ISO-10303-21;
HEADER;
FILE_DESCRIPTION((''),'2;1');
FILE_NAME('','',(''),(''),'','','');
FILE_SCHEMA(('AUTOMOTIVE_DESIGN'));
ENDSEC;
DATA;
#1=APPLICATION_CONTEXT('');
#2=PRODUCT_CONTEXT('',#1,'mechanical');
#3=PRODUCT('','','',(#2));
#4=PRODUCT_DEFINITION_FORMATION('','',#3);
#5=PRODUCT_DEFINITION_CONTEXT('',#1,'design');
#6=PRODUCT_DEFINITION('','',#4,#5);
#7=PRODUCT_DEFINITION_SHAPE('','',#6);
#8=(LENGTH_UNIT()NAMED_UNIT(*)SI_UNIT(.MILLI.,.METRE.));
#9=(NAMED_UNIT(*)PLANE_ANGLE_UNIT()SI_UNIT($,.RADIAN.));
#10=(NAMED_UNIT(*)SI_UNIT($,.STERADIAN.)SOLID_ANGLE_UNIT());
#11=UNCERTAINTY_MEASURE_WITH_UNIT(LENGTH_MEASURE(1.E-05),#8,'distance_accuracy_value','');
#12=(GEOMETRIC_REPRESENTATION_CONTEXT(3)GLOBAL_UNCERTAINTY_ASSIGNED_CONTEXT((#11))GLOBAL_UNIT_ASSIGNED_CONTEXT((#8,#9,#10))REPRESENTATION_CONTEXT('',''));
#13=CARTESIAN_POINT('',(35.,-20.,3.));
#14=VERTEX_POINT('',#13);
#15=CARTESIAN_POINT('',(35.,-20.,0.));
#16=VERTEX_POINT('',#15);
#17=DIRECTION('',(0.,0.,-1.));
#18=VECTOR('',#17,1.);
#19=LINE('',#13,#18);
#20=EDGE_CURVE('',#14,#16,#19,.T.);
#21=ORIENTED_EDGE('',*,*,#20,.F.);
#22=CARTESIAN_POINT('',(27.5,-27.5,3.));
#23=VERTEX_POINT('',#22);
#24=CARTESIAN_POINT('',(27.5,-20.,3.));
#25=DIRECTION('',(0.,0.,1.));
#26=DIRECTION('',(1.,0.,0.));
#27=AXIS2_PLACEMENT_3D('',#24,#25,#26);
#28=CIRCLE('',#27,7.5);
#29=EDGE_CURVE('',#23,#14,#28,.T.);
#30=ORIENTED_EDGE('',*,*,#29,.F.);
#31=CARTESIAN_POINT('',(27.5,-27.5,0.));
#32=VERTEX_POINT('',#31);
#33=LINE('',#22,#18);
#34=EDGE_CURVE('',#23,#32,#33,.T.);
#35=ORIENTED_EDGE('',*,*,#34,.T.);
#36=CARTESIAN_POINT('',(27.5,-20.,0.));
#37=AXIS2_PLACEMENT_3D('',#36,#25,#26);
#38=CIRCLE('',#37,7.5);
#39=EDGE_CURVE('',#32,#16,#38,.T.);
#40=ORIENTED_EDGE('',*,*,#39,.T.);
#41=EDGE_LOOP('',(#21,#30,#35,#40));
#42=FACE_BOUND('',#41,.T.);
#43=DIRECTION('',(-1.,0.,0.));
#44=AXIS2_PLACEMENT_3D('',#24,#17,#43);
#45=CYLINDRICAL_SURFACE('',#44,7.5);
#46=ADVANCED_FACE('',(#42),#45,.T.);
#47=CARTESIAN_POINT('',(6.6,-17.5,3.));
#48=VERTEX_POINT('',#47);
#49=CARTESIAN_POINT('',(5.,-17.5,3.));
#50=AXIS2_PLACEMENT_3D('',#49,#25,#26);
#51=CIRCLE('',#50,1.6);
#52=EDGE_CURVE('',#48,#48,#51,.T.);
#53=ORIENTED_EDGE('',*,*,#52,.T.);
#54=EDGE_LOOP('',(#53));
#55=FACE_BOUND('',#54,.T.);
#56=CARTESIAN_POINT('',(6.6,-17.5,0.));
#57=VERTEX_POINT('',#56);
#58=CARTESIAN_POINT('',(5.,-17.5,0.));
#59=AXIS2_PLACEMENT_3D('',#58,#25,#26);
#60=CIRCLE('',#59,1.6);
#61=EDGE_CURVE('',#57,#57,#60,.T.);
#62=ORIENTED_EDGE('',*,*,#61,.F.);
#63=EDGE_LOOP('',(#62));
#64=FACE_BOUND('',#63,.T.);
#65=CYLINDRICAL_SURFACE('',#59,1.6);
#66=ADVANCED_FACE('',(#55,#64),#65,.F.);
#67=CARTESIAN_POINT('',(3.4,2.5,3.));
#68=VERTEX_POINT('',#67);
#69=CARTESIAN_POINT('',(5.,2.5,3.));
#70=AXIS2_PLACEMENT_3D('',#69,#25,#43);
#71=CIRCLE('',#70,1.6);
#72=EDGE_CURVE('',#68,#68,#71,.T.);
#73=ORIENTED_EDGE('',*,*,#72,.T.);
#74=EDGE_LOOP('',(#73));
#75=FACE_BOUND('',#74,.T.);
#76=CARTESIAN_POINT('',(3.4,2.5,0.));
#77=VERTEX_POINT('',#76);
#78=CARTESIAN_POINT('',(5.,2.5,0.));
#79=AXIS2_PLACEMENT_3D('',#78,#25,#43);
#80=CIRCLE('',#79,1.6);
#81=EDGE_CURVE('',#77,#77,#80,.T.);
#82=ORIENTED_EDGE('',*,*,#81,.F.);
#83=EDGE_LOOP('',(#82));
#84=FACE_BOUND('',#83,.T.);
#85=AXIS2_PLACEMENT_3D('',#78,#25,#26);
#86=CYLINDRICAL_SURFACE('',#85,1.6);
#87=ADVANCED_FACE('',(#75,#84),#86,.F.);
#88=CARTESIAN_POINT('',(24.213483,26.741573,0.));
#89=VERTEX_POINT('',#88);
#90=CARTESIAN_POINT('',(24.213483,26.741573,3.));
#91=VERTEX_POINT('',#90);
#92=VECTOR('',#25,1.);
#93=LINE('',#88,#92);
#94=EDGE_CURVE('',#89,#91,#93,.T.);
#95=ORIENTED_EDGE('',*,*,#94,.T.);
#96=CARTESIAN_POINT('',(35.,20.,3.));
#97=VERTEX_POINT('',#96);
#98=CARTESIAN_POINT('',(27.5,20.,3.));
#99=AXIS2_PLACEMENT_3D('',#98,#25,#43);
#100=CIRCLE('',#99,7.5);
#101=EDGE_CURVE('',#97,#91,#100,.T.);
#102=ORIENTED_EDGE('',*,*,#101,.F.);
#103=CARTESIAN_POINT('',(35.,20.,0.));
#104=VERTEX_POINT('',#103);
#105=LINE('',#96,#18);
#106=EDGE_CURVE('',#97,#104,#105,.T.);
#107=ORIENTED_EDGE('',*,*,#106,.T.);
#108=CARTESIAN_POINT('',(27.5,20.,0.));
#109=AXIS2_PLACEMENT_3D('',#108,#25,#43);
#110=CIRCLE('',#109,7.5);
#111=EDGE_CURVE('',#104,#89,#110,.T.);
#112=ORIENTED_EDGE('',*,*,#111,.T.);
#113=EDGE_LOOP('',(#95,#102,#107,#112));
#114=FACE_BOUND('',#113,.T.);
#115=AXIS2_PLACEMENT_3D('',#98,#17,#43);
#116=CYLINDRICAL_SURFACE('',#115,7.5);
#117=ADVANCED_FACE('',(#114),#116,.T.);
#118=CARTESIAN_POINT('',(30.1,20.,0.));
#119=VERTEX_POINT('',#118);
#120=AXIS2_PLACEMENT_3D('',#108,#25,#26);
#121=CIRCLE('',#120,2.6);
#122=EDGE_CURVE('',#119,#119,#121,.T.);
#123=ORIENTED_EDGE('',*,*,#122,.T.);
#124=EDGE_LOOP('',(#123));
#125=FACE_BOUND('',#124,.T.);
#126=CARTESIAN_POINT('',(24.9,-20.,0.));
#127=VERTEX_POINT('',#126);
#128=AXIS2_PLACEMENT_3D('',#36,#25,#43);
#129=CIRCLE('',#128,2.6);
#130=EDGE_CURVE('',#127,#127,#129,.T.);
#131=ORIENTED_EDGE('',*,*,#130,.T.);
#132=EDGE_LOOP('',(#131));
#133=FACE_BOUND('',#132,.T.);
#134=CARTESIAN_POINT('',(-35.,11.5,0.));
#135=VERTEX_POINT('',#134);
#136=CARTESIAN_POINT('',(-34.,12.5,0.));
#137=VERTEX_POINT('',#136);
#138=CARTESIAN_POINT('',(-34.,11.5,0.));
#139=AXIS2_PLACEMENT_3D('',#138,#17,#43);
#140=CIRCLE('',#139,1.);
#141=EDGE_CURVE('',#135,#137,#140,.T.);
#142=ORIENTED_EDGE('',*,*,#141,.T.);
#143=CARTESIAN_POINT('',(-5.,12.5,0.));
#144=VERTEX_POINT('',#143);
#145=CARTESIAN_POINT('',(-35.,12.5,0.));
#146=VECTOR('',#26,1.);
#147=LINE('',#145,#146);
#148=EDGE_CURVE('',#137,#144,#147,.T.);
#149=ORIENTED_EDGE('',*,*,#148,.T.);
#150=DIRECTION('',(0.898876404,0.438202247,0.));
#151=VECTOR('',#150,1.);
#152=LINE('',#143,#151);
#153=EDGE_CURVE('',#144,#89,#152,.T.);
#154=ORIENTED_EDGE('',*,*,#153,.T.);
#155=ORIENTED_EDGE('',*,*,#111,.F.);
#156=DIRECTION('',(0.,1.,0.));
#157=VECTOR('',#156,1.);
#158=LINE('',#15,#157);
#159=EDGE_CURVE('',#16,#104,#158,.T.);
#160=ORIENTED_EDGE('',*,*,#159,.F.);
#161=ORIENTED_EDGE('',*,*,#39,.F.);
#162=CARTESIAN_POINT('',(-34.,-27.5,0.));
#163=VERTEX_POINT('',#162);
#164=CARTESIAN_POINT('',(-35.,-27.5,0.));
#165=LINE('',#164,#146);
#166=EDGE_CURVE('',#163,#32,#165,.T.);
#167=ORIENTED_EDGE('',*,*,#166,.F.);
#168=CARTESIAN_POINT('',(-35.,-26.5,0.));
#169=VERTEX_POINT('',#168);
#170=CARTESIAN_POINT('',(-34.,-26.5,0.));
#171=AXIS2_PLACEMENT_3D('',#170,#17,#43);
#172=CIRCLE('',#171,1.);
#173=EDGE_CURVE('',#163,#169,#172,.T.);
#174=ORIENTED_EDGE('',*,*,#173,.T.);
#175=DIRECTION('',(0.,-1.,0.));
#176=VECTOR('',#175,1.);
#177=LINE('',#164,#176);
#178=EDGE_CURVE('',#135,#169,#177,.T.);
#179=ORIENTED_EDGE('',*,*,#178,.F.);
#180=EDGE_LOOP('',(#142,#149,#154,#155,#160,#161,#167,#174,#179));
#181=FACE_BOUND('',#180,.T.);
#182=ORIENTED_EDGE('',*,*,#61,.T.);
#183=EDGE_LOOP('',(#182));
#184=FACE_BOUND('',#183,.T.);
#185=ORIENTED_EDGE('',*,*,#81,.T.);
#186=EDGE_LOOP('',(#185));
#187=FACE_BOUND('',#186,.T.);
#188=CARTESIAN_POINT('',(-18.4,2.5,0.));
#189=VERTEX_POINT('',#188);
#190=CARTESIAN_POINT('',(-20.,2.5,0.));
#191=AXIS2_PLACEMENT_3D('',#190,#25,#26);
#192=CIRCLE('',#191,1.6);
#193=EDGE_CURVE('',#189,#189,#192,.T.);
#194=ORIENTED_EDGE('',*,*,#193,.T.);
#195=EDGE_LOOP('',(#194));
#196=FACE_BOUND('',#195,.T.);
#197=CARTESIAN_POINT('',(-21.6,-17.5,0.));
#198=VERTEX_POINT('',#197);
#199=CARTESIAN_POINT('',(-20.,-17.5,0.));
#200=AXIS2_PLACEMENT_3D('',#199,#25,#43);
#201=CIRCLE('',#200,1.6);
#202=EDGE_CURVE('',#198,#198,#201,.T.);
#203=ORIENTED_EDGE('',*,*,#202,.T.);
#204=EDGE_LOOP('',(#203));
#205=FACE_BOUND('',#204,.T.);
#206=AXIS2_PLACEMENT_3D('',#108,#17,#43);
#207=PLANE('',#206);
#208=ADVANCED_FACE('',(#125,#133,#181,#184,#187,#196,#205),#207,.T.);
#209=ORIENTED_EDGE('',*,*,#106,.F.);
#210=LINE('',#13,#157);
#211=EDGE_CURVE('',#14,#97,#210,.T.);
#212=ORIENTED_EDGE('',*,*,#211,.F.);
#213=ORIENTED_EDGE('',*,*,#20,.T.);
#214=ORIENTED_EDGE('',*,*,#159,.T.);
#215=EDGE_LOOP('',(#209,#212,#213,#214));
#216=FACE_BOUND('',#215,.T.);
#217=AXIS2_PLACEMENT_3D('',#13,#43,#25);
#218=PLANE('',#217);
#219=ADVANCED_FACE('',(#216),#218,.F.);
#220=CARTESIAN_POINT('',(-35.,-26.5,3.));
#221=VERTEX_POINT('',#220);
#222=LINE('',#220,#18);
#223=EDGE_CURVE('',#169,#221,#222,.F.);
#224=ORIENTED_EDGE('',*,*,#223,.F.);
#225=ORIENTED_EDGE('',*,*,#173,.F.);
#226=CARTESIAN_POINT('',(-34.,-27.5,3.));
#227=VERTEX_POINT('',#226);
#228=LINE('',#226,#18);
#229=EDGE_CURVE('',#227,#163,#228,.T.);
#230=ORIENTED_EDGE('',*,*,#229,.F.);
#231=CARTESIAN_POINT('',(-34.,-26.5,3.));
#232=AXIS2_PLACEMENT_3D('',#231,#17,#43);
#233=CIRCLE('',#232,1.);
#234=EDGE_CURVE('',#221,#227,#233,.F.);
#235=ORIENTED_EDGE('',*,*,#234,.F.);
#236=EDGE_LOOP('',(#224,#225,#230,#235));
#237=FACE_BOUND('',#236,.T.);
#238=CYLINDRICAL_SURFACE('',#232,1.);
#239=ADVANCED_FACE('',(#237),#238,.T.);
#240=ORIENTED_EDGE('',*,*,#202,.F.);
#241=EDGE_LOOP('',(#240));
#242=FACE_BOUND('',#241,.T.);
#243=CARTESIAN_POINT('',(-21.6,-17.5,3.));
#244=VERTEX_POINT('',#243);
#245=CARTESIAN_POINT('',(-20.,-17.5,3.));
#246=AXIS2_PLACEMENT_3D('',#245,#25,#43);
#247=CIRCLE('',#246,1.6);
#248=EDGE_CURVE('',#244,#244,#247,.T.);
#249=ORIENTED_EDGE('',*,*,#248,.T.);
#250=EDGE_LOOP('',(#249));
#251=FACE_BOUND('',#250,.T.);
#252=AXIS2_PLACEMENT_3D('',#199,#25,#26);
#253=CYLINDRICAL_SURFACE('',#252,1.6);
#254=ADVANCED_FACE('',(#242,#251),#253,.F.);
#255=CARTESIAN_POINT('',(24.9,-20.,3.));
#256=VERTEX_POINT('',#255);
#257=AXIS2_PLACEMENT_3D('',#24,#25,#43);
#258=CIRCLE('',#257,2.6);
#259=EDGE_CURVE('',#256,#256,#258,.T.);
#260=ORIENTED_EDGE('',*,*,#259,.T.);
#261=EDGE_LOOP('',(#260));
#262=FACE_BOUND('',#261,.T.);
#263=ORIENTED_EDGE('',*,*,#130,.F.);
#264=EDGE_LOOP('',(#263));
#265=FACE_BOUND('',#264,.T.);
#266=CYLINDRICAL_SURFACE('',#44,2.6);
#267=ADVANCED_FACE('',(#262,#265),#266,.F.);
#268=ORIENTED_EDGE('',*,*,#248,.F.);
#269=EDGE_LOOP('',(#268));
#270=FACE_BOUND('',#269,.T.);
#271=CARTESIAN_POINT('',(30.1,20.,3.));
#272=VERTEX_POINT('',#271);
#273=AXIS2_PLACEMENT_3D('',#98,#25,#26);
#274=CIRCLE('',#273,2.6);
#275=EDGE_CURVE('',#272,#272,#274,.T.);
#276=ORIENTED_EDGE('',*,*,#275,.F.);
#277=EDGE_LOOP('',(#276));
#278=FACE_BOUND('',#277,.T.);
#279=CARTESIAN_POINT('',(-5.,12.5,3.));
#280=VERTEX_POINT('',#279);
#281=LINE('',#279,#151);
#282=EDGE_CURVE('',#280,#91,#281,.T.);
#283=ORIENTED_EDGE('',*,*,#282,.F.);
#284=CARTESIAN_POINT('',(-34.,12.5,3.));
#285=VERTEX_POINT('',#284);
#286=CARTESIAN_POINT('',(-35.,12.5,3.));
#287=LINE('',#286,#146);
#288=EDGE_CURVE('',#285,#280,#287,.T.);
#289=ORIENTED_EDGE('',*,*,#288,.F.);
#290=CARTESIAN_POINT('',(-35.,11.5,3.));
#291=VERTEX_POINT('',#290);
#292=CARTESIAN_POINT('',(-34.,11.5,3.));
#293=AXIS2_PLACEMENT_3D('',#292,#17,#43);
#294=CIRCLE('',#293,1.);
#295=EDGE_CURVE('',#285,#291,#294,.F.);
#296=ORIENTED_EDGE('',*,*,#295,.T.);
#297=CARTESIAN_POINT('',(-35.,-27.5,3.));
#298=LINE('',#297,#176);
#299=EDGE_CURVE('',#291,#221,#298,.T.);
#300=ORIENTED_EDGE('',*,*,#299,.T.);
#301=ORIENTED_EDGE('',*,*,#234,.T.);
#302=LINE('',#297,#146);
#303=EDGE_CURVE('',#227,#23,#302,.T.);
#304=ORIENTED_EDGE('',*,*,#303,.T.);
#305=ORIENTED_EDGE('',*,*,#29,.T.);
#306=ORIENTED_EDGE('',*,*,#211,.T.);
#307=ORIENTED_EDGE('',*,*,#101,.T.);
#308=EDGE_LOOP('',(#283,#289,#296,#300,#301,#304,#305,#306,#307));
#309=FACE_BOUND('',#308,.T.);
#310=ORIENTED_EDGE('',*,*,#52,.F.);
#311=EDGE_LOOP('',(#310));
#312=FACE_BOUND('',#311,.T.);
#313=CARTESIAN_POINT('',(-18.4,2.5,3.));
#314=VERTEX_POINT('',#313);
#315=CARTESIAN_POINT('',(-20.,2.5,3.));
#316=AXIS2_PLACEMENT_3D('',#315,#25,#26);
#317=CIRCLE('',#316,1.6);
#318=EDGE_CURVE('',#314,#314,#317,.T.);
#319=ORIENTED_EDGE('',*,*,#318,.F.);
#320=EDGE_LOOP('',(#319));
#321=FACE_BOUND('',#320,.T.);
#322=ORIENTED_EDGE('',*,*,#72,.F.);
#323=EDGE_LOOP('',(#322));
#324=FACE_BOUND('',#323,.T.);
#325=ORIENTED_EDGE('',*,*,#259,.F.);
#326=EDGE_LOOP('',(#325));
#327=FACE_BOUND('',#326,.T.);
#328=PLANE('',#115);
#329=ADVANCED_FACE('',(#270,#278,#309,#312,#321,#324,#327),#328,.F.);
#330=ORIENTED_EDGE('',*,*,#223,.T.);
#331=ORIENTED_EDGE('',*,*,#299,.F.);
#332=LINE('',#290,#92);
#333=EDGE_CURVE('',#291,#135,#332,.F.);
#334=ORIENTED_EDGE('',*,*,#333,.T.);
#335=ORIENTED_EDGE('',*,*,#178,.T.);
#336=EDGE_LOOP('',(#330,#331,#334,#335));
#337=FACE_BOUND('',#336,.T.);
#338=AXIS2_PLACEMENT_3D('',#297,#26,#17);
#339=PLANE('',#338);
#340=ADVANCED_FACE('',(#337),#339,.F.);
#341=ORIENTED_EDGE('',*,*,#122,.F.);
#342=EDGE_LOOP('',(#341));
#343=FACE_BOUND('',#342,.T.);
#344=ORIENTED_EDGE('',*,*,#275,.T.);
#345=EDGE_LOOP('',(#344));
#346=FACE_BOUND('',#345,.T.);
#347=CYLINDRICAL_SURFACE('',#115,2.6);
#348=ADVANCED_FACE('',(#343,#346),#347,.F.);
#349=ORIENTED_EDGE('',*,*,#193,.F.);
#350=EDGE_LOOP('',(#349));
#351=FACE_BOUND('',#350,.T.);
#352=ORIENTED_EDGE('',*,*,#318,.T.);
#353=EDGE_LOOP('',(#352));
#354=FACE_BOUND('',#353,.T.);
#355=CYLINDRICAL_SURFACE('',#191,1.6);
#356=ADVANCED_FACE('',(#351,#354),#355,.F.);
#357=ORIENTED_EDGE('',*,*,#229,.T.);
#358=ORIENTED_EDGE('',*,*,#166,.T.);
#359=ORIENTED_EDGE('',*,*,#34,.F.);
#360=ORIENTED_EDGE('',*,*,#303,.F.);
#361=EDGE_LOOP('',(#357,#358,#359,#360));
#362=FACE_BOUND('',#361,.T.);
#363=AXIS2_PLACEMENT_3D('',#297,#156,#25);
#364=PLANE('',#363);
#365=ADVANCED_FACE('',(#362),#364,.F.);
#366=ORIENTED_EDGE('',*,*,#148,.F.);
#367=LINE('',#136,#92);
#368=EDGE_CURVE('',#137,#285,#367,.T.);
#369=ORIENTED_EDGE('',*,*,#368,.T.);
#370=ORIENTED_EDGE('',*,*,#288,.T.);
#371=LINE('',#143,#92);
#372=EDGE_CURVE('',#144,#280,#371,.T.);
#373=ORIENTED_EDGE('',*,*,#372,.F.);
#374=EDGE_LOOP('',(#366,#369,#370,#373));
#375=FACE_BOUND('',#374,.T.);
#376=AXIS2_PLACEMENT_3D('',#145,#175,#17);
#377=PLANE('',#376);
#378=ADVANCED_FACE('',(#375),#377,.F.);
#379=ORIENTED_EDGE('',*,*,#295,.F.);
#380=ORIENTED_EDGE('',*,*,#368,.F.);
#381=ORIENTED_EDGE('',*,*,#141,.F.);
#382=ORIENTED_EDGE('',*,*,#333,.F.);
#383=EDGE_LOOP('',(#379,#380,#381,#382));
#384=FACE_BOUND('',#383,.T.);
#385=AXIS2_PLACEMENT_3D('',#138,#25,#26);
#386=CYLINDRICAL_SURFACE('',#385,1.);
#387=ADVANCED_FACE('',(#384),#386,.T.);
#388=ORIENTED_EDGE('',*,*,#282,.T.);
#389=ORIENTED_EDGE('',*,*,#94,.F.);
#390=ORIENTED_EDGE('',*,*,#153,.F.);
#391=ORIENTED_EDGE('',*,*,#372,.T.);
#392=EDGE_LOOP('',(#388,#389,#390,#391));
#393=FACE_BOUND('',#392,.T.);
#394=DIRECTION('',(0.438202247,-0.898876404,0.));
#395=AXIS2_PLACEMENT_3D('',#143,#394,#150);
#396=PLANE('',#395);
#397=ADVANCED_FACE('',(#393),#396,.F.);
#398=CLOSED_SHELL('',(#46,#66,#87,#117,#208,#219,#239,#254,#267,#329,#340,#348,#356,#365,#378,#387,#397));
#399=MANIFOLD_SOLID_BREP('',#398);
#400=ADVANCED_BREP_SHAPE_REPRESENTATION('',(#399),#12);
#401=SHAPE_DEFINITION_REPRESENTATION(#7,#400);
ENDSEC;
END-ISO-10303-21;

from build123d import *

# Parameters (mm, degrees)
SKETCH_1_R          = 2.6
EXTRUDE_1_DEPTH     = 3
CUT_EXTRUDE_START   = -3
CUT_EXTRUDE_1_DEPTH = 3
SKETCH_3_R          = 1.6
CUT_EXTRUDE_2_DEPTH = 3
FILLET_1_R          = 1


with BuildPart() as part:
    # 草图1 → 凸台-拉伸1 (new body)
    with BuildSketch(Plane.XY):
        with BuildLine():
            Line((-35, -27.5), (27.5, -27.5))
            ThreePointArc((27.5, -27.5), (32.803300859, -25.303300859), (35, -20))
            Line((35, -20), (35, 20))
            ThreePointArc((35, 20), (32.803300859, 25.303300859), (27.5, 27.5))
            Line((27.5, 27.5), (-35, 27.5))
            Line((-35, 27.5), (-35, -27.5))
        make_face()
        with Locations((27.5, 20)):
            Circle(SKETCH_1_R, mode=Mode.SUBTRACT)
        with Locations(Location((27.5, -20, 0), (0, 0, 180))):
            Circle(SKETCH_1_R, mode=Mode.SUBTRACT)
    extrude(amount=EXTRUDE_1_DEPTH)

    # 草图2 → 切除-拉伸1 (cut)
    with BuildSketch(Plane.XY.offset(3).offset(CUT_EXTRUDE_START)):
        with BuildLine():
            Line((-35, 12.5), (-5, 12.5))
            Line((-5, 12.5), (24.213483146, 26.741573034))
            ThreePointArc((24.213483146, 26.741573034), (25.8135537, 27.307933968), (27.5, 27.5))
            Line((27.5, 27.5), (27.5, 37.5))
            Line((27.5, 37.5), (-35, 37.5))
            Line((-35, 37.5), (-35, 12.5))
        make_face()
    extrude(amount=CUT_EXTRUDE_1_DEPTH, mode=Mode.SUBTRACT)

    # 草图3 → 切除-拉伸2 (cut)
    with BuildSketch(Plane.XY.offset(3)):
        with Locations((-20, 2.5)):
            Circle(SKETCH_3_R)
        with Locations(Location((5, 2.5, 0), (0, 0, 180))):
            Circle(SKETCH_3_R)
        with Locations((5, -17.5)):
            Circle(SKETCH_3_R)
        with Locations(Location((-20, -17.5, 0), (0, 0, 180))):
            Circle(SKETCH_3_R)
    extrude(amount=-CUT_EXTRUDE_2_DEPTH, mode=Mode.SUBTRACT)

    # 圆角1
    fillet_1_edges = [part.edges().sort_by_distance(p)[0] for p in [
        (-35, -27.5, 1.5),
        (-35, 12.5, 1.5),
    ]]
    fillet(fillet_1_edges, radius=FILLET_1_R)


solid = part.part
